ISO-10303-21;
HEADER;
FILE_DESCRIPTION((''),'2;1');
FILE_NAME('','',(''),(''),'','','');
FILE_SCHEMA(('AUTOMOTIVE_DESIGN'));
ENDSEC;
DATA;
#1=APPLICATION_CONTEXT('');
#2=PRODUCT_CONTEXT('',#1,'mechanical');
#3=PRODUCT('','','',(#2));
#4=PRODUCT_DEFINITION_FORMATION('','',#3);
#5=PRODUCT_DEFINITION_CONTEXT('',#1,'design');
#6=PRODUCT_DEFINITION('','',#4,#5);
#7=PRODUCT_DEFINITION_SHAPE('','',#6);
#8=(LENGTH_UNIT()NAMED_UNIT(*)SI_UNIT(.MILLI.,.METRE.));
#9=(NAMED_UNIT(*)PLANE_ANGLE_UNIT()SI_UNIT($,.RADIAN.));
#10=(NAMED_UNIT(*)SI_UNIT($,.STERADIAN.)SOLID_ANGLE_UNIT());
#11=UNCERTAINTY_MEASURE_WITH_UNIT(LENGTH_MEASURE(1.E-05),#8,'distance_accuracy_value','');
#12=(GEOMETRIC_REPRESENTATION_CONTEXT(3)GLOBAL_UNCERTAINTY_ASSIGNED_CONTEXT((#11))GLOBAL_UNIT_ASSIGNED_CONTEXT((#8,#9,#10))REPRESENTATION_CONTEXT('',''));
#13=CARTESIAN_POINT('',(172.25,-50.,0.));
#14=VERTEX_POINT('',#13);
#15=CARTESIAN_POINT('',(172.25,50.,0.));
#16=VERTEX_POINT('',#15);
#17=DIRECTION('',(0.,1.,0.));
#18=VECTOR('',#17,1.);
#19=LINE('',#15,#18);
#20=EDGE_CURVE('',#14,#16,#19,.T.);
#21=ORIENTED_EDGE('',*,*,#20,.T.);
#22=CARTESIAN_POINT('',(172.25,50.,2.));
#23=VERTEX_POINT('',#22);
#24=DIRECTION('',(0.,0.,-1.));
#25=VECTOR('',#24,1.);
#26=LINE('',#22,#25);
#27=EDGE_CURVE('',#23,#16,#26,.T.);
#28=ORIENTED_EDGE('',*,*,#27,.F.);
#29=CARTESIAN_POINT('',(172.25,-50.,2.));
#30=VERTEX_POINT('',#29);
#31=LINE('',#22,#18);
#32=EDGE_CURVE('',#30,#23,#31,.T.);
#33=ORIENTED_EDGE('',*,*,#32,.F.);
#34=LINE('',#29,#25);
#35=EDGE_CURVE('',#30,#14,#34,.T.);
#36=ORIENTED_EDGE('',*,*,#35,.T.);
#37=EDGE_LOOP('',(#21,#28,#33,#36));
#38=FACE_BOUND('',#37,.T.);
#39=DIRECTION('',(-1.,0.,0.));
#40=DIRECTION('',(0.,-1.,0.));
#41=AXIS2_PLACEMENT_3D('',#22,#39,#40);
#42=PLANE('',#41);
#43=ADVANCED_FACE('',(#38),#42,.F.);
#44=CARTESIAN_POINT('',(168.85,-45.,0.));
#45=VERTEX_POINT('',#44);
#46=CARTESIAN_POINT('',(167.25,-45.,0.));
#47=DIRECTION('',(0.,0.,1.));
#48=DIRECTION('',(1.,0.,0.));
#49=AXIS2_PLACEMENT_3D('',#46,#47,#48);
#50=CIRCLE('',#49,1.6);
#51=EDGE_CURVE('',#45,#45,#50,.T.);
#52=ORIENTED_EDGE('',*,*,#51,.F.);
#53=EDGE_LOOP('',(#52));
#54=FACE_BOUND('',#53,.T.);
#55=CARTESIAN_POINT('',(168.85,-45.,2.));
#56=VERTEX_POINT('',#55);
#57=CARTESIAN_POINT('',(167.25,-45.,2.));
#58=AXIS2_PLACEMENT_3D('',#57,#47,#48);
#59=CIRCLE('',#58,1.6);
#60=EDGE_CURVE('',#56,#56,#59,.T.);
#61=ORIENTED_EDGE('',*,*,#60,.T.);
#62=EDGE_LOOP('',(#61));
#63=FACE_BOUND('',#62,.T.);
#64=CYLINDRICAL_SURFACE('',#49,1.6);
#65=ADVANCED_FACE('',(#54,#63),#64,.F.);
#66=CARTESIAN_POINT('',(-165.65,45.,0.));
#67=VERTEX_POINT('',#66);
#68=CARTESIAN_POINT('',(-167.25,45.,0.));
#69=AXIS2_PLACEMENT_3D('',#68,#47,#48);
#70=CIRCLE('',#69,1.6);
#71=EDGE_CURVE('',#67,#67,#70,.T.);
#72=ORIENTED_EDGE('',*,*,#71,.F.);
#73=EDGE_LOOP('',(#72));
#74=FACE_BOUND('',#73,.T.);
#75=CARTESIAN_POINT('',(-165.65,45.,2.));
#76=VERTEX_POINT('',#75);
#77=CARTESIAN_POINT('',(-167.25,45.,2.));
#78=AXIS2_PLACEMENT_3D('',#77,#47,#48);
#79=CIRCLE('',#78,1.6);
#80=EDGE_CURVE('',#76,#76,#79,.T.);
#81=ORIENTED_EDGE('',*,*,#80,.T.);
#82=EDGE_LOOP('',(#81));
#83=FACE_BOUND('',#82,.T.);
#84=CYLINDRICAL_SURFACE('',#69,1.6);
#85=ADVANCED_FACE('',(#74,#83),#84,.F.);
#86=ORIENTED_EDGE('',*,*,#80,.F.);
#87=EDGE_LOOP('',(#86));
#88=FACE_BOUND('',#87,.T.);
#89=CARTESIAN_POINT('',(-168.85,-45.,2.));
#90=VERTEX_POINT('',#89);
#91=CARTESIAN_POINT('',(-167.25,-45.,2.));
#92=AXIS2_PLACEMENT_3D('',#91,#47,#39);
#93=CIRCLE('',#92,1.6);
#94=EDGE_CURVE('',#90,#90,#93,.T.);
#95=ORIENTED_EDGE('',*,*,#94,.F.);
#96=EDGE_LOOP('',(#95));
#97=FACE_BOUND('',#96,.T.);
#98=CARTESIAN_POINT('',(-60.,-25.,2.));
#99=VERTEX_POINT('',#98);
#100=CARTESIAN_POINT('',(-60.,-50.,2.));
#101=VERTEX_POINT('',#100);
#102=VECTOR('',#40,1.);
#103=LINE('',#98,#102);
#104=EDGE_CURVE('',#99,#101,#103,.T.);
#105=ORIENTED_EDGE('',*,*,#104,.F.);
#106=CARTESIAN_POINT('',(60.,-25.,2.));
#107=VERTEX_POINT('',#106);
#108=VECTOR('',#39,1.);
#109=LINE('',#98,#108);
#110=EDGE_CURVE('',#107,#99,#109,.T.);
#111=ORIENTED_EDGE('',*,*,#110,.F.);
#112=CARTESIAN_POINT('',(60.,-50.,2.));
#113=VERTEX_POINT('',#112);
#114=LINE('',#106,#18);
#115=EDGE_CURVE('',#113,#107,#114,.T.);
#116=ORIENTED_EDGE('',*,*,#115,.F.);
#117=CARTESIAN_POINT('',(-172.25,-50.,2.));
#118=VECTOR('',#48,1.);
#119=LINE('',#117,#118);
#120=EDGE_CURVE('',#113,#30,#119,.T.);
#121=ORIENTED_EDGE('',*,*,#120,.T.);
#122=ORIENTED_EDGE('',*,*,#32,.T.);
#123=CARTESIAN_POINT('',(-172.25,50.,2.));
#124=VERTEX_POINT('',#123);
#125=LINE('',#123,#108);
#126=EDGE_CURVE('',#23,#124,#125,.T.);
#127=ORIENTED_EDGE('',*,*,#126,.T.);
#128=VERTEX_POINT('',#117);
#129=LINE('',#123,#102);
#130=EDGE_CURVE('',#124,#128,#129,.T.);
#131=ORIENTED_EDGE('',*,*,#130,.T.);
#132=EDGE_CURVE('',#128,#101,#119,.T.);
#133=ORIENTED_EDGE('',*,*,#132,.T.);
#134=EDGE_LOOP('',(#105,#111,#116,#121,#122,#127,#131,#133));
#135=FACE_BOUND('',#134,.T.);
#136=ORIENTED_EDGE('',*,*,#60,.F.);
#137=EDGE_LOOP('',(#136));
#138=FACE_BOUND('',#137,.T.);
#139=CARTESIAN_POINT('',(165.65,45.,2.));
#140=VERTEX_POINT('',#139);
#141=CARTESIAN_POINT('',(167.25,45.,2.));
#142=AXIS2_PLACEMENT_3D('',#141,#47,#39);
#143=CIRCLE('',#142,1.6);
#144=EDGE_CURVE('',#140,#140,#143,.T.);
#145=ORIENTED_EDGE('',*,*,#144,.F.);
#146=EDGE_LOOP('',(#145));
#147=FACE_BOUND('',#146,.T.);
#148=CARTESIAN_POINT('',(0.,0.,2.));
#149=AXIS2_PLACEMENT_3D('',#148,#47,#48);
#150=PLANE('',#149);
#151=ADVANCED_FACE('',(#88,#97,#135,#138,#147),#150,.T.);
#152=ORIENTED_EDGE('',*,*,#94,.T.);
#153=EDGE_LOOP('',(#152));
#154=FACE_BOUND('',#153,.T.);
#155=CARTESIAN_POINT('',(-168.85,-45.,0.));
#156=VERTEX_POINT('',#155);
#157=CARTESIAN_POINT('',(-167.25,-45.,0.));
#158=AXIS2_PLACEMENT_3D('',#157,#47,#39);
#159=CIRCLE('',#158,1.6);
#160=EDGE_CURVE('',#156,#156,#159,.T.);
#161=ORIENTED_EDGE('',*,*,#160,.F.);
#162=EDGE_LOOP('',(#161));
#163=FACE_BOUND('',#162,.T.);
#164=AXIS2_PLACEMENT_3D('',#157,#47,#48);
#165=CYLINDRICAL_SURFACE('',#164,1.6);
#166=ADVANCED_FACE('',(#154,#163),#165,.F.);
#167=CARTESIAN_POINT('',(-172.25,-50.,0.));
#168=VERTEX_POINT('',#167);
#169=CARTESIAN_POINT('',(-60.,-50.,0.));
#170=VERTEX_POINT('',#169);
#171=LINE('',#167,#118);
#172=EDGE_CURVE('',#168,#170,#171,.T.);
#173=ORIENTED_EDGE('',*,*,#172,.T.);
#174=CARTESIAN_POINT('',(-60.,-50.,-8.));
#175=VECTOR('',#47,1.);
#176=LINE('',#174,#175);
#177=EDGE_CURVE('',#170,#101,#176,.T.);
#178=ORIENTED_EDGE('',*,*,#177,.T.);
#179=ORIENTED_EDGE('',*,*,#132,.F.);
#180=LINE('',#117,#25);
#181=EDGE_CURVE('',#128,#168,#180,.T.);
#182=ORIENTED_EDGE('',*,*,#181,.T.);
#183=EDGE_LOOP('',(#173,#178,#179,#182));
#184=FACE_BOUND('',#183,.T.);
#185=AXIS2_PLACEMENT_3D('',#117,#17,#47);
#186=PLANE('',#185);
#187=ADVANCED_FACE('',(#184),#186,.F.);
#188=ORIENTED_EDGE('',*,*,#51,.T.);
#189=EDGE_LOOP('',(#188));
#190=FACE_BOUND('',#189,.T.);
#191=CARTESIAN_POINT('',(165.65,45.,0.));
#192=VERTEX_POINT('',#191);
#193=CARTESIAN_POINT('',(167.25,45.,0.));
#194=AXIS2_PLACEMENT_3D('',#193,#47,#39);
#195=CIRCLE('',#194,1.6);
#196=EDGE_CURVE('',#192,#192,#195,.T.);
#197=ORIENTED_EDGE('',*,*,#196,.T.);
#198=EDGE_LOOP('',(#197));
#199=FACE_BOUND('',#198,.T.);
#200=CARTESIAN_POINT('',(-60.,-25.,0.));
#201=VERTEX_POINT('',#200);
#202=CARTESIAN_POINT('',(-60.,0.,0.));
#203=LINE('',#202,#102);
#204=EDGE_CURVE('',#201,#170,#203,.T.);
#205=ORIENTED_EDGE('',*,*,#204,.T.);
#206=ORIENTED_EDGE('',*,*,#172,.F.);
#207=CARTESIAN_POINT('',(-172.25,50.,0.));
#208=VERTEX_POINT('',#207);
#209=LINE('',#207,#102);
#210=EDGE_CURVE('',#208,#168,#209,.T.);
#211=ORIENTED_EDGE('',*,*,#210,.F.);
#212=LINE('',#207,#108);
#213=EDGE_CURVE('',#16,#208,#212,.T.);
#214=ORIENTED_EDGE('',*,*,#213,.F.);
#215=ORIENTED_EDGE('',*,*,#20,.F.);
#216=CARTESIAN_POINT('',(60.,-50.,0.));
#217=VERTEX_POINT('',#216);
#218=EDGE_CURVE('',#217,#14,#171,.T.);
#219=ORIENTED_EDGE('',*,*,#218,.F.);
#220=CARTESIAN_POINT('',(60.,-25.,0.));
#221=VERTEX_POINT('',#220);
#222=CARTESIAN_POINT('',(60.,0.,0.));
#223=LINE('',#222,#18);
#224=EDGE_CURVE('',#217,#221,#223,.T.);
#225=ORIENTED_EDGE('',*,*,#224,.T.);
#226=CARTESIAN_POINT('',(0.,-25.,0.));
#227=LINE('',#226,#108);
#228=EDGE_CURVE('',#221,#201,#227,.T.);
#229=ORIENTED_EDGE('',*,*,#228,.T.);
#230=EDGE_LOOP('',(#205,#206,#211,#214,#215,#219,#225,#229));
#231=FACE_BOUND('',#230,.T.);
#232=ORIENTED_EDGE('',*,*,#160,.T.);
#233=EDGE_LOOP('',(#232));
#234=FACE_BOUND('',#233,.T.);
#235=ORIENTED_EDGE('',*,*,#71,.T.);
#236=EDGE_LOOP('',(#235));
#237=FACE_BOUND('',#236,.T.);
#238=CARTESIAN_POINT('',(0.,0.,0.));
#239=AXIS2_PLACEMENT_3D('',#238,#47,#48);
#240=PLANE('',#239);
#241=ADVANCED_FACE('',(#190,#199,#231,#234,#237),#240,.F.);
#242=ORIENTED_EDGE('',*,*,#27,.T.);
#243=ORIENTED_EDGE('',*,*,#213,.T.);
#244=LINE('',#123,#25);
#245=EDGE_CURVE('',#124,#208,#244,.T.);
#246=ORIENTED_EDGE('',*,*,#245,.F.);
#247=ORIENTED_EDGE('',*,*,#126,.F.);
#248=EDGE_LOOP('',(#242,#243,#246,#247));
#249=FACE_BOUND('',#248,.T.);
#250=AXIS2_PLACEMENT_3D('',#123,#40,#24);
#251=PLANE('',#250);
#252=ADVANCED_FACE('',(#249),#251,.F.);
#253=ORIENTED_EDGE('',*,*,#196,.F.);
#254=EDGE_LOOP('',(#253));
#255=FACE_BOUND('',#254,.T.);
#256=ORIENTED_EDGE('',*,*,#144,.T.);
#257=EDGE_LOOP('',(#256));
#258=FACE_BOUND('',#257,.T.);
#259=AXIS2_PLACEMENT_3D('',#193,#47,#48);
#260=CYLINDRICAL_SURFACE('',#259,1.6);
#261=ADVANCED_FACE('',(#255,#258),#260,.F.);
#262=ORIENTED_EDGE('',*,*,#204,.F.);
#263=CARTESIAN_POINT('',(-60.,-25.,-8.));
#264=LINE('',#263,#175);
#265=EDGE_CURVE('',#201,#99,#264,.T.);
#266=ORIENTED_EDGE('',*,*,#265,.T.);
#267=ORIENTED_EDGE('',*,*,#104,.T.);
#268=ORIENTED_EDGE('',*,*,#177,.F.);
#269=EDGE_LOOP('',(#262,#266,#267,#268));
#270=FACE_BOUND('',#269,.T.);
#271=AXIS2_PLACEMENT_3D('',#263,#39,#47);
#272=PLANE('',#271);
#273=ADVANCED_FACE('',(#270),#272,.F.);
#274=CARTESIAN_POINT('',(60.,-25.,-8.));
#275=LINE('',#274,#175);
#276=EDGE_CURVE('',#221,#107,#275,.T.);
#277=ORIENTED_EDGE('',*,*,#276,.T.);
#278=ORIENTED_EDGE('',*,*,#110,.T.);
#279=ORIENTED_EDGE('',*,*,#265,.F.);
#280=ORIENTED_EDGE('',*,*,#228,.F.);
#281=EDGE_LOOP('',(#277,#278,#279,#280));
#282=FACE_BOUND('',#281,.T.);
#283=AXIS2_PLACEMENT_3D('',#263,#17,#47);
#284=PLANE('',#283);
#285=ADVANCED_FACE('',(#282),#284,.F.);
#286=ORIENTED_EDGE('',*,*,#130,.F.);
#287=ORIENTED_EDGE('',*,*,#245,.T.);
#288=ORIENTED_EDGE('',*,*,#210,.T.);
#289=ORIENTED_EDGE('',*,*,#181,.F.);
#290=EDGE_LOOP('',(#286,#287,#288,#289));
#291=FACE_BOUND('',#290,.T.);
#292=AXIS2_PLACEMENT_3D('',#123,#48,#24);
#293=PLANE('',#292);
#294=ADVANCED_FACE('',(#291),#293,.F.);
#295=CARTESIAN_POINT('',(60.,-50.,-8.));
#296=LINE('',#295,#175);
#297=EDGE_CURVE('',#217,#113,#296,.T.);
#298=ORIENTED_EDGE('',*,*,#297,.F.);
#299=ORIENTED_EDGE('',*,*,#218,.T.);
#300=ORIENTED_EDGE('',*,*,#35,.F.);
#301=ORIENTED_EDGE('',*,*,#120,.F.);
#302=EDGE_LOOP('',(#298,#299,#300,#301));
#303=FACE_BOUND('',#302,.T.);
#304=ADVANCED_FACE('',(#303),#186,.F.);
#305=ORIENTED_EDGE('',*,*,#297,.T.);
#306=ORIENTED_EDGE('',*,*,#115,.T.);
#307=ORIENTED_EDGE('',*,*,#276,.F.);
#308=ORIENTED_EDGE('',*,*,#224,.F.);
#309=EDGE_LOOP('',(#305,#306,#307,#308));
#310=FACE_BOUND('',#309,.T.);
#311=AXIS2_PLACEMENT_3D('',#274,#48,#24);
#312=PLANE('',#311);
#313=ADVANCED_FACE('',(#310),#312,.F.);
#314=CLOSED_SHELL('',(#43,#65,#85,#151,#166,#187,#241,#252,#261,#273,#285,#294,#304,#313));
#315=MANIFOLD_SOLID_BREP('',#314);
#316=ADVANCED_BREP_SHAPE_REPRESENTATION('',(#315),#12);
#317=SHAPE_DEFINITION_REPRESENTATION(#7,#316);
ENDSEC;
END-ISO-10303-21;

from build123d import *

# Parameters (mm, degrees)
SKETCH_1_W          = 344.5
SKETCH_1_H          = 100
EXTRUDE_1_DEPTH     = 2
SKETCH_2_R          = 1.6
CUT_EXTRUDE_1_DEPTH = 2
SKETCH_3_W          = 120
SKETCH_3_H          = 25
CUT_EXTRUDE_2_DEPTH = 10


with BuildPart() as part:
    # 草图1 → 凸台-拉伸1 (new body)
    with BuildSketch(Plane.XY):
        Rectangle(SKETCH_1_W, SKETCH_1_H)
    extrude(amount=EXTRUDE_1_DEPTH)

    # 草图2 → 切除-拉伸1 (cut)
    with BuildSketch(Plane.XY.offset(2)):
        with Locations((167.25, -45)):
            Circle(SKETCH_2_R)
        with Locations(Location((167.25, 45, 0), (0, 0, 180))):
            Circle(SKETCH_2_R)
        with Locations(Location((-167.25, -45, 0), (0, 0, 180))):
            Circle(SKETCH_2_R)
        with Locations((-167.25, 45)):
            Circle(SKETCH_2_R)
    extrude(amount=-CUT_EXTRUDE_1_DEPTH, mode=Mode.SUBTRACT)

    # 草图3 → 切除-拉伸2 (cut)
    with BuildSketch(Plane.XY.offset(2)):
        with Locations((0, -37.5)):
            Rectangle(SKETCH_3_W, SKETCH_3_H)
    extrude(amount=-CUT_EXTRUDE_2_DEPTH, mode=Mode.SUBTRACT)


solid = part.part
